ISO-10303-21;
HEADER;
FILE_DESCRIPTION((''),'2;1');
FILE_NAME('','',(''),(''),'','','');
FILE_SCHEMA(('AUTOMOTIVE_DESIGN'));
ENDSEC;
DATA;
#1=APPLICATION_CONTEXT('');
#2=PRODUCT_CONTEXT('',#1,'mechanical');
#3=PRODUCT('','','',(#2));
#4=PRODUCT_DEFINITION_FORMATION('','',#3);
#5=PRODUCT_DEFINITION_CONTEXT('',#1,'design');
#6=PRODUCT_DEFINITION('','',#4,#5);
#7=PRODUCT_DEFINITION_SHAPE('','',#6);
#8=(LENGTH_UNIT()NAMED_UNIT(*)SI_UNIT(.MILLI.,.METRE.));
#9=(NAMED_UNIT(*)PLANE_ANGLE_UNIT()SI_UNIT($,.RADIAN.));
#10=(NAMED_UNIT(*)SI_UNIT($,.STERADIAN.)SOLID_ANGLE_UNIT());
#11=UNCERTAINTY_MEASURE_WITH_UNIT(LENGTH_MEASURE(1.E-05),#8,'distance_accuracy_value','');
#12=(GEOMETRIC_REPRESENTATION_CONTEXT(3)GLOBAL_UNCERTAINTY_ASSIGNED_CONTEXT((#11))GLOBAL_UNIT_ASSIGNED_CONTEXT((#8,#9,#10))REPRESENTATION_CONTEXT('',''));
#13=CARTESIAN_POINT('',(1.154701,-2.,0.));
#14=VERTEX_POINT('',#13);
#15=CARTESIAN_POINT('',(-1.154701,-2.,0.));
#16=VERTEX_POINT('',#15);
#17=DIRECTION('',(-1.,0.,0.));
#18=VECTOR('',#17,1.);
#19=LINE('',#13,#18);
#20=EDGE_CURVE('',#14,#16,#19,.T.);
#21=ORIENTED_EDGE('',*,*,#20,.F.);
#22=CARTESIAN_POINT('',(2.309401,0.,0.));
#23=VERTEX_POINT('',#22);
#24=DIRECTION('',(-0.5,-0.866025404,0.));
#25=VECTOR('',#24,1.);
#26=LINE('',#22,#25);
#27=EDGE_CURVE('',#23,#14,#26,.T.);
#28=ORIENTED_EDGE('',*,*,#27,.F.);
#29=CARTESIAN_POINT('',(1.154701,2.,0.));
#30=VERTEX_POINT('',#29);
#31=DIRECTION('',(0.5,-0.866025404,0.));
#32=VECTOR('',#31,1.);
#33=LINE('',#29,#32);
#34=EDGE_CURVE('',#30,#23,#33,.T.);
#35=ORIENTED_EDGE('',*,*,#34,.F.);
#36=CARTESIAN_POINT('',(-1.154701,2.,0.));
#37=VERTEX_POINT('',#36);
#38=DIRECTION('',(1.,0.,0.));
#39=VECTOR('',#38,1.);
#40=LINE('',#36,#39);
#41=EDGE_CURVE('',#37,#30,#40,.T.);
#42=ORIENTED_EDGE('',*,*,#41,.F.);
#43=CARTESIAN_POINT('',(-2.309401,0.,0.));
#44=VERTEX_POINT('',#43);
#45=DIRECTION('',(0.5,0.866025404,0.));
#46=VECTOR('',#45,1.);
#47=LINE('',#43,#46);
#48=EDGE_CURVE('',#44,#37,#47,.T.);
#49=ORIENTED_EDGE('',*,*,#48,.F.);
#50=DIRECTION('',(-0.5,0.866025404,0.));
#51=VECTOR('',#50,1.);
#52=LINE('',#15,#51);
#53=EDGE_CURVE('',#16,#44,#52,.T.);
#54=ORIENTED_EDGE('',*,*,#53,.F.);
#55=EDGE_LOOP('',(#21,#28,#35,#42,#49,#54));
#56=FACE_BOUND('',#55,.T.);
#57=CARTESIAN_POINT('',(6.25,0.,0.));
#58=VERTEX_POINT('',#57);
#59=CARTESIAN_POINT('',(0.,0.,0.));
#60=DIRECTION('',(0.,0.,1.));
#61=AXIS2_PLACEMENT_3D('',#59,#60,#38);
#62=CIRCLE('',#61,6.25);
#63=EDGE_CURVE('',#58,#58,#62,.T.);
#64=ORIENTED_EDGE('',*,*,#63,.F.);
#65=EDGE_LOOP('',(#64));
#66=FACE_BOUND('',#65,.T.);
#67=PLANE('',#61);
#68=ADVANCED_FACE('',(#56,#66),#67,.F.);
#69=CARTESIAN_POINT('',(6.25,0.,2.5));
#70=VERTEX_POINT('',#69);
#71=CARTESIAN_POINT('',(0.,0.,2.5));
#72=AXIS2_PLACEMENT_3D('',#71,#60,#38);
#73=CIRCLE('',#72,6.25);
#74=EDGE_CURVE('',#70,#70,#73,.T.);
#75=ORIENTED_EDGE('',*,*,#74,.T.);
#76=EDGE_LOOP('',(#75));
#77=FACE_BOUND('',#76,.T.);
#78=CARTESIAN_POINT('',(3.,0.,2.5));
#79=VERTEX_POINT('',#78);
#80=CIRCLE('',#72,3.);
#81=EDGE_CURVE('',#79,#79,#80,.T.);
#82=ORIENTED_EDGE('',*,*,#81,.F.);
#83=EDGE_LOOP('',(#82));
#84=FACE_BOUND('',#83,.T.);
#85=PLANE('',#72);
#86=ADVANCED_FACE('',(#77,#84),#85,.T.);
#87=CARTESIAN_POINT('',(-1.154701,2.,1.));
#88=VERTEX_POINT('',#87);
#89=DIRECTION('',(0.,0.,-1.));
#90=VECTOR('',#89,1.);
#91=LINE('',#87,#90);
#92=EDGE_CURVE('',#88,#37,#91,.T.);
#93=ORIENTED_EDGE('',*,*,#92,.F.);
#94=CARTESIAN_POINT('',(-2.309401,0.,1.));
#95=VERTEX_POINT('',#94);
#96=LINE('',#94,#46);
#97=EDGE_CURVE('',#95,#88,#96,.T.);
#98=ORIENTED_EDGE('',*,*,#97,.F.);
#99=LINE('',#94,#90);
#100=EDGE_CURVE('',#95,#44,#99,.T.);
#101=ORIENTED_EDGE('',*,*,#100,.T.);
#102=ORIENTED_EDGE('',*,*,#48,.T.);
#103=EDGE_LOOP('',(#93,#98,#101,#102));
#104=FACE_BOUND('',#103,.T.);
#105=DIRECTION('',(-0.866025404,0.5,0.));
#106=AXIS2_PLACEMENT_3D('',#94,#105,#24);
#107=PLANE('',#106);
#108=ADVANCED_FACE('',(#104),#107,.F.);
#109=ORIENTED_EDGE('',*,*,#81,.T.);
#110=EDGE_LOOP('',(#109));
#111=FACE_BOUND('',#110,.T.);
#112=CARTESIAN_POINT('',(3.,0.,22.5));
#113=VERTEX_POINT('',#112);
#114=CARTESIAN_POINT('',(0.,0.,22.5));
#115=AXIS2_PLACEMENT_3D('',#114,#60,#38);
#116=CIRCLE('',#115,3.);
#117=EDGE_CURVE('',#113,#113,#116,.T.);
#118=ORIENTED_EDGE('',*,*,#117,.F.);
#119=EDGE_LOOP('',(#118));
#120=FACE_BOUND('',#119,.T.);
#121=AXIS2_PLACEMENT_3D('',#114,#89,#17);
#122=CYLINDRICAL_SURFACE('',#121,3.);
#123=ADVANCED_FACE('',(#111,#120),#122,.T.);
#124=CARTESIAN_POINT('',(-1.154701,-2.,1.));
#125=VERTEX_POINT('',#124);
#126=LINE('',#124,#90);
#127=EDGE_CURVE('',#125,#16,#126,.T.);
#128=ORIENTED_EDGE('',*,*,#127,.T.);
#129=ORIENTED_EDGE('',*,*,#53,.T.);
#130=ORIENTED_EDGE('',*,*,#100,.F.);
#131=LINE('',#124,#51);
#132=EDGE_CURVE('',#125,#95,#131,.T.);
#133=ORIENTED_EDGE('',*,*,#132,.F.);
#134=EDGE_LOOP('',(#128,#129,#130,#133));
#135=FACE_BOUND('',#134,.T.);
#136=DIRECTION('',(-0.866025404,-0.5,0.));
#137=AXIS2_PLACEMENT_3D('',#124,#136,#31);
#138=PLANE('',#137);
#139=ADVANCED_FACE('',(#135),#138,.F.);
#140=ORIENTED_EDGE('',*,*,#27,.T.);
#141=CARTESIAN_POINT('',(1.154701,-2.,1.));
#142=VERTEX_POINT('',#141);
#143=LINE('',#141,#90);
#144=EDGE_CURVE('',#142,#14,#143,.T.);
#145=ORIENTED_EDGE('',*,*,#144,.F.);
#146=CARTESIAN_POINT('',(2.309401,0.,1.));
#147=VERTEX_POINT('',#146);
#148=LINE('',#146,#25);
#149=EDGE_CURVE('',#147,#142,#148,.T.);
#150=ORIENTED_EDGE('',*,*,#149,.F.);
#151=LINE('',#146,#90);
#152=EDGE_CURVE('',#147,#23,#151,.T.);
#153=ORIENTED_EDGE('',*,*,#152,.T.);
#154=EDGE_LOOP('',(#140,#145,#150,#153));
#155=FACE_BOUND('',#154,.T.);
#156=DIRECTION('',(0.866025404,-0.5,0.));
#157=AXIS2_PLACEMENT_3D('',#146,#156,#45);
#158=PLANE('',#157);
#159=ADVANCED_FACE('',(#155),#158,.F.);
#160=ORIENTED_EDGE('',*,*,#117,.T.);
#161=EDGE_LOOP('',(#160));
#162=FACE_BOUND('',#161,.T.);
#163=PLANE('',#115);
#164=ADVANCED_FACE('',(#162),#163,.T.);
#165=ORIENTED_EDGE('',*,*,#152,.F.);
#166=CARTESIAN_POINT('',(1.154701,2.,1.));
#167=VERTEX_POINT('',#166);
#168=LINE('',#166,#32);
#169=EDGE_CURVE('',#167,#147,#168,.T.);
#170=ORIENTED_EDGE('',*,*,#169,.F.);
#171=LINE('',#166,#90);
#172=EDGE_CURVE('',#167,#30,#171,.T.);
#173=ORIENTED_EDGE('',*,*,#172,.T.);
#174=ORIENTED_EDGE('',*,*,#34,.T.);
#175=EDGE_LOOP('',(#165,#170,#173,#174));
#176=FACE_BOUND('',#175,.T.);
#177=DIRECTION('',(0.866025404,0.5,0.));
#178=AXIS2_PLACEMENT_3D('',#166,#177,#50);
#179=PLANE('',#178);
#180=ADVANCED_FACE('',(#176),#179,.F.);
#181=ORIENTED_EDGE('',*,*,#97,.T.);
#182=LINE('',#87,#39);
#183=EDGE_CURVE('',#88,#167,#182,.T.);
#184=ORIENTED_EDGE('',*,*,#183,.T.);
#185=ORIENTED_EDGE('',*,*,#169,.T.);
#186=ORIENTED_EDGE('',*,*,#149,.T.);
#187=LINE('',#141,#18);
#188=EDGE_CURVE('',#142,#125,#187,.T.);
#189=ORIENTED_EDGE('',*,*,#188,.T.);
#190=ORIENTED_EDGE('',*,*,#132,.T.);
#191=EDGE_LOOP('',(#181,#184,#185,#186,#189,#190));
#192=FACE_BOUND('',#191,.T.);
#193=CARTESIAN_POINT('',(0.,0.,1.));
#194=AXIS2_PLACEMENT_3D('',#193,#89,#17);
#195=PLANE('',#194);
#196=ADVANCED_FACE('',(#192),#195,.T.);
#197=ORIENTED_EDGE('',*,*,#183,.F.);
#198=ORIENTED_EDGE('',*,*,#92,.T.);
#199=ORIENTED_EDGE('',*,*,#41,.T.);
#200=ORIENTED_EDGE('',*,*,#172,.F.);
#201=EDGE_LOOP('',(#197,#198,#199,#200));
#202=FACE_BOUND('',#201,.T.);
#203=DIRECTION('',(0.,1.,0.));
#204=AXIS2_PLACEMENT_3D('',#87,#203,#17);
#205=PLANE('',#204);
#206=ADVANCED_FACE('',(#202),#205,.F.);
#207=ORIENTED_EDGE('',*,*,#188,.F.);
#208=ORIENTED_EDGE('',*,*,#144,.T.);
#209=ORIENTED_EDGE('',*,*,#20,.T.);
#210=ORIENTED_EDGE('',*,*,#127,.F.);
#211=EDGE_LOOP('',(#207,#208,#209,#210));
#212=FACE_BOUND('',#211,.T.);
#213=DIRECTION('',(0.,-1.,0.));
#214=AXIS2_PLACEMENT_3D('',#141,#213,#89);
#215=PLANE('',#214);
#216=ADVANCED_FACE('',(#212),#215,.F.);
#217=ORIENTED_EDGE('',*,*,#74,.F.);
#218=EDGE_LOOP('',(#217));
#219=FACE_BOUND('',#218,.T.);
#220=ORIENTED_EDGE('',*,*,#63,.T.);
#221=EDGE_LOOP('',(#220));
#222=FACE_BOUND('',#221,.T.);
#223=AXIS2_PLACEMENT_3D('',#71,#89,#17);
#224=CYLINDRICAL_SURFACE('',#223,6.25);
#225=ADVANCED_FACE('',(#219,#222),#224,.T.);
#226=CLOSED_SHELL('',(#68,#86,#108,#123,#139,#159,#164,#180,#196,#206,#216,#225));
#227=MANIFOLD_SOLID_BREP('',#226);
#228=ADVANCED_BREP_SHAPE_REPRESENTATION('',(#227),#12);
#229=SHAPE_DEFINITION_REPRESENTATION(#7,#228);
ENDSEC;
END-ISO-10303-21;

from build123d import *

# Parameters (mm, degrees)
SKETCH_1_R          = 6.25
EXTRUDE_1_DEPTH     = 2.5
SKETCH_2_R          = 3
EXTRUDE_2_DEPTH     = 20
CUT_EXTRUDE_1_DEPTH = 1


with BuildPart() as part:
    # 草图1 → 凸台-拉伸1 (new body)
    with BuildSketch(Plane.XY):
        Circle(SKETCH_1_R)
    extrude(amount=EXTRUDE_1_DEPTH)

    # 草图2 → 凸台-拉伸2 (add)
    with BuildSketch(Plane.XY.offset(2.5)):
        Circle(SKETCH_2_R)
    extrude(amount=EXTRUDE_2_DEPTH)

    # 草图3 → 切除-拉伸1 (cut)
    with BuildSketch(Plane(origin=(0, 0, 0), x_dir=(-1, 0, 0), z_dir=(0, 0, -1))):
        Polygon((2.309401077, 0), (1.154700538, 2), (-1.154700538, 2), (-2.309401077, 0), (-1.154700538, -2), (1.154700538, -2), align=None)
    extrude(amount=-CUT_EXTRUDE_1_DEPTH, mode=Mode.SUBTRACT)


solid = part.part
